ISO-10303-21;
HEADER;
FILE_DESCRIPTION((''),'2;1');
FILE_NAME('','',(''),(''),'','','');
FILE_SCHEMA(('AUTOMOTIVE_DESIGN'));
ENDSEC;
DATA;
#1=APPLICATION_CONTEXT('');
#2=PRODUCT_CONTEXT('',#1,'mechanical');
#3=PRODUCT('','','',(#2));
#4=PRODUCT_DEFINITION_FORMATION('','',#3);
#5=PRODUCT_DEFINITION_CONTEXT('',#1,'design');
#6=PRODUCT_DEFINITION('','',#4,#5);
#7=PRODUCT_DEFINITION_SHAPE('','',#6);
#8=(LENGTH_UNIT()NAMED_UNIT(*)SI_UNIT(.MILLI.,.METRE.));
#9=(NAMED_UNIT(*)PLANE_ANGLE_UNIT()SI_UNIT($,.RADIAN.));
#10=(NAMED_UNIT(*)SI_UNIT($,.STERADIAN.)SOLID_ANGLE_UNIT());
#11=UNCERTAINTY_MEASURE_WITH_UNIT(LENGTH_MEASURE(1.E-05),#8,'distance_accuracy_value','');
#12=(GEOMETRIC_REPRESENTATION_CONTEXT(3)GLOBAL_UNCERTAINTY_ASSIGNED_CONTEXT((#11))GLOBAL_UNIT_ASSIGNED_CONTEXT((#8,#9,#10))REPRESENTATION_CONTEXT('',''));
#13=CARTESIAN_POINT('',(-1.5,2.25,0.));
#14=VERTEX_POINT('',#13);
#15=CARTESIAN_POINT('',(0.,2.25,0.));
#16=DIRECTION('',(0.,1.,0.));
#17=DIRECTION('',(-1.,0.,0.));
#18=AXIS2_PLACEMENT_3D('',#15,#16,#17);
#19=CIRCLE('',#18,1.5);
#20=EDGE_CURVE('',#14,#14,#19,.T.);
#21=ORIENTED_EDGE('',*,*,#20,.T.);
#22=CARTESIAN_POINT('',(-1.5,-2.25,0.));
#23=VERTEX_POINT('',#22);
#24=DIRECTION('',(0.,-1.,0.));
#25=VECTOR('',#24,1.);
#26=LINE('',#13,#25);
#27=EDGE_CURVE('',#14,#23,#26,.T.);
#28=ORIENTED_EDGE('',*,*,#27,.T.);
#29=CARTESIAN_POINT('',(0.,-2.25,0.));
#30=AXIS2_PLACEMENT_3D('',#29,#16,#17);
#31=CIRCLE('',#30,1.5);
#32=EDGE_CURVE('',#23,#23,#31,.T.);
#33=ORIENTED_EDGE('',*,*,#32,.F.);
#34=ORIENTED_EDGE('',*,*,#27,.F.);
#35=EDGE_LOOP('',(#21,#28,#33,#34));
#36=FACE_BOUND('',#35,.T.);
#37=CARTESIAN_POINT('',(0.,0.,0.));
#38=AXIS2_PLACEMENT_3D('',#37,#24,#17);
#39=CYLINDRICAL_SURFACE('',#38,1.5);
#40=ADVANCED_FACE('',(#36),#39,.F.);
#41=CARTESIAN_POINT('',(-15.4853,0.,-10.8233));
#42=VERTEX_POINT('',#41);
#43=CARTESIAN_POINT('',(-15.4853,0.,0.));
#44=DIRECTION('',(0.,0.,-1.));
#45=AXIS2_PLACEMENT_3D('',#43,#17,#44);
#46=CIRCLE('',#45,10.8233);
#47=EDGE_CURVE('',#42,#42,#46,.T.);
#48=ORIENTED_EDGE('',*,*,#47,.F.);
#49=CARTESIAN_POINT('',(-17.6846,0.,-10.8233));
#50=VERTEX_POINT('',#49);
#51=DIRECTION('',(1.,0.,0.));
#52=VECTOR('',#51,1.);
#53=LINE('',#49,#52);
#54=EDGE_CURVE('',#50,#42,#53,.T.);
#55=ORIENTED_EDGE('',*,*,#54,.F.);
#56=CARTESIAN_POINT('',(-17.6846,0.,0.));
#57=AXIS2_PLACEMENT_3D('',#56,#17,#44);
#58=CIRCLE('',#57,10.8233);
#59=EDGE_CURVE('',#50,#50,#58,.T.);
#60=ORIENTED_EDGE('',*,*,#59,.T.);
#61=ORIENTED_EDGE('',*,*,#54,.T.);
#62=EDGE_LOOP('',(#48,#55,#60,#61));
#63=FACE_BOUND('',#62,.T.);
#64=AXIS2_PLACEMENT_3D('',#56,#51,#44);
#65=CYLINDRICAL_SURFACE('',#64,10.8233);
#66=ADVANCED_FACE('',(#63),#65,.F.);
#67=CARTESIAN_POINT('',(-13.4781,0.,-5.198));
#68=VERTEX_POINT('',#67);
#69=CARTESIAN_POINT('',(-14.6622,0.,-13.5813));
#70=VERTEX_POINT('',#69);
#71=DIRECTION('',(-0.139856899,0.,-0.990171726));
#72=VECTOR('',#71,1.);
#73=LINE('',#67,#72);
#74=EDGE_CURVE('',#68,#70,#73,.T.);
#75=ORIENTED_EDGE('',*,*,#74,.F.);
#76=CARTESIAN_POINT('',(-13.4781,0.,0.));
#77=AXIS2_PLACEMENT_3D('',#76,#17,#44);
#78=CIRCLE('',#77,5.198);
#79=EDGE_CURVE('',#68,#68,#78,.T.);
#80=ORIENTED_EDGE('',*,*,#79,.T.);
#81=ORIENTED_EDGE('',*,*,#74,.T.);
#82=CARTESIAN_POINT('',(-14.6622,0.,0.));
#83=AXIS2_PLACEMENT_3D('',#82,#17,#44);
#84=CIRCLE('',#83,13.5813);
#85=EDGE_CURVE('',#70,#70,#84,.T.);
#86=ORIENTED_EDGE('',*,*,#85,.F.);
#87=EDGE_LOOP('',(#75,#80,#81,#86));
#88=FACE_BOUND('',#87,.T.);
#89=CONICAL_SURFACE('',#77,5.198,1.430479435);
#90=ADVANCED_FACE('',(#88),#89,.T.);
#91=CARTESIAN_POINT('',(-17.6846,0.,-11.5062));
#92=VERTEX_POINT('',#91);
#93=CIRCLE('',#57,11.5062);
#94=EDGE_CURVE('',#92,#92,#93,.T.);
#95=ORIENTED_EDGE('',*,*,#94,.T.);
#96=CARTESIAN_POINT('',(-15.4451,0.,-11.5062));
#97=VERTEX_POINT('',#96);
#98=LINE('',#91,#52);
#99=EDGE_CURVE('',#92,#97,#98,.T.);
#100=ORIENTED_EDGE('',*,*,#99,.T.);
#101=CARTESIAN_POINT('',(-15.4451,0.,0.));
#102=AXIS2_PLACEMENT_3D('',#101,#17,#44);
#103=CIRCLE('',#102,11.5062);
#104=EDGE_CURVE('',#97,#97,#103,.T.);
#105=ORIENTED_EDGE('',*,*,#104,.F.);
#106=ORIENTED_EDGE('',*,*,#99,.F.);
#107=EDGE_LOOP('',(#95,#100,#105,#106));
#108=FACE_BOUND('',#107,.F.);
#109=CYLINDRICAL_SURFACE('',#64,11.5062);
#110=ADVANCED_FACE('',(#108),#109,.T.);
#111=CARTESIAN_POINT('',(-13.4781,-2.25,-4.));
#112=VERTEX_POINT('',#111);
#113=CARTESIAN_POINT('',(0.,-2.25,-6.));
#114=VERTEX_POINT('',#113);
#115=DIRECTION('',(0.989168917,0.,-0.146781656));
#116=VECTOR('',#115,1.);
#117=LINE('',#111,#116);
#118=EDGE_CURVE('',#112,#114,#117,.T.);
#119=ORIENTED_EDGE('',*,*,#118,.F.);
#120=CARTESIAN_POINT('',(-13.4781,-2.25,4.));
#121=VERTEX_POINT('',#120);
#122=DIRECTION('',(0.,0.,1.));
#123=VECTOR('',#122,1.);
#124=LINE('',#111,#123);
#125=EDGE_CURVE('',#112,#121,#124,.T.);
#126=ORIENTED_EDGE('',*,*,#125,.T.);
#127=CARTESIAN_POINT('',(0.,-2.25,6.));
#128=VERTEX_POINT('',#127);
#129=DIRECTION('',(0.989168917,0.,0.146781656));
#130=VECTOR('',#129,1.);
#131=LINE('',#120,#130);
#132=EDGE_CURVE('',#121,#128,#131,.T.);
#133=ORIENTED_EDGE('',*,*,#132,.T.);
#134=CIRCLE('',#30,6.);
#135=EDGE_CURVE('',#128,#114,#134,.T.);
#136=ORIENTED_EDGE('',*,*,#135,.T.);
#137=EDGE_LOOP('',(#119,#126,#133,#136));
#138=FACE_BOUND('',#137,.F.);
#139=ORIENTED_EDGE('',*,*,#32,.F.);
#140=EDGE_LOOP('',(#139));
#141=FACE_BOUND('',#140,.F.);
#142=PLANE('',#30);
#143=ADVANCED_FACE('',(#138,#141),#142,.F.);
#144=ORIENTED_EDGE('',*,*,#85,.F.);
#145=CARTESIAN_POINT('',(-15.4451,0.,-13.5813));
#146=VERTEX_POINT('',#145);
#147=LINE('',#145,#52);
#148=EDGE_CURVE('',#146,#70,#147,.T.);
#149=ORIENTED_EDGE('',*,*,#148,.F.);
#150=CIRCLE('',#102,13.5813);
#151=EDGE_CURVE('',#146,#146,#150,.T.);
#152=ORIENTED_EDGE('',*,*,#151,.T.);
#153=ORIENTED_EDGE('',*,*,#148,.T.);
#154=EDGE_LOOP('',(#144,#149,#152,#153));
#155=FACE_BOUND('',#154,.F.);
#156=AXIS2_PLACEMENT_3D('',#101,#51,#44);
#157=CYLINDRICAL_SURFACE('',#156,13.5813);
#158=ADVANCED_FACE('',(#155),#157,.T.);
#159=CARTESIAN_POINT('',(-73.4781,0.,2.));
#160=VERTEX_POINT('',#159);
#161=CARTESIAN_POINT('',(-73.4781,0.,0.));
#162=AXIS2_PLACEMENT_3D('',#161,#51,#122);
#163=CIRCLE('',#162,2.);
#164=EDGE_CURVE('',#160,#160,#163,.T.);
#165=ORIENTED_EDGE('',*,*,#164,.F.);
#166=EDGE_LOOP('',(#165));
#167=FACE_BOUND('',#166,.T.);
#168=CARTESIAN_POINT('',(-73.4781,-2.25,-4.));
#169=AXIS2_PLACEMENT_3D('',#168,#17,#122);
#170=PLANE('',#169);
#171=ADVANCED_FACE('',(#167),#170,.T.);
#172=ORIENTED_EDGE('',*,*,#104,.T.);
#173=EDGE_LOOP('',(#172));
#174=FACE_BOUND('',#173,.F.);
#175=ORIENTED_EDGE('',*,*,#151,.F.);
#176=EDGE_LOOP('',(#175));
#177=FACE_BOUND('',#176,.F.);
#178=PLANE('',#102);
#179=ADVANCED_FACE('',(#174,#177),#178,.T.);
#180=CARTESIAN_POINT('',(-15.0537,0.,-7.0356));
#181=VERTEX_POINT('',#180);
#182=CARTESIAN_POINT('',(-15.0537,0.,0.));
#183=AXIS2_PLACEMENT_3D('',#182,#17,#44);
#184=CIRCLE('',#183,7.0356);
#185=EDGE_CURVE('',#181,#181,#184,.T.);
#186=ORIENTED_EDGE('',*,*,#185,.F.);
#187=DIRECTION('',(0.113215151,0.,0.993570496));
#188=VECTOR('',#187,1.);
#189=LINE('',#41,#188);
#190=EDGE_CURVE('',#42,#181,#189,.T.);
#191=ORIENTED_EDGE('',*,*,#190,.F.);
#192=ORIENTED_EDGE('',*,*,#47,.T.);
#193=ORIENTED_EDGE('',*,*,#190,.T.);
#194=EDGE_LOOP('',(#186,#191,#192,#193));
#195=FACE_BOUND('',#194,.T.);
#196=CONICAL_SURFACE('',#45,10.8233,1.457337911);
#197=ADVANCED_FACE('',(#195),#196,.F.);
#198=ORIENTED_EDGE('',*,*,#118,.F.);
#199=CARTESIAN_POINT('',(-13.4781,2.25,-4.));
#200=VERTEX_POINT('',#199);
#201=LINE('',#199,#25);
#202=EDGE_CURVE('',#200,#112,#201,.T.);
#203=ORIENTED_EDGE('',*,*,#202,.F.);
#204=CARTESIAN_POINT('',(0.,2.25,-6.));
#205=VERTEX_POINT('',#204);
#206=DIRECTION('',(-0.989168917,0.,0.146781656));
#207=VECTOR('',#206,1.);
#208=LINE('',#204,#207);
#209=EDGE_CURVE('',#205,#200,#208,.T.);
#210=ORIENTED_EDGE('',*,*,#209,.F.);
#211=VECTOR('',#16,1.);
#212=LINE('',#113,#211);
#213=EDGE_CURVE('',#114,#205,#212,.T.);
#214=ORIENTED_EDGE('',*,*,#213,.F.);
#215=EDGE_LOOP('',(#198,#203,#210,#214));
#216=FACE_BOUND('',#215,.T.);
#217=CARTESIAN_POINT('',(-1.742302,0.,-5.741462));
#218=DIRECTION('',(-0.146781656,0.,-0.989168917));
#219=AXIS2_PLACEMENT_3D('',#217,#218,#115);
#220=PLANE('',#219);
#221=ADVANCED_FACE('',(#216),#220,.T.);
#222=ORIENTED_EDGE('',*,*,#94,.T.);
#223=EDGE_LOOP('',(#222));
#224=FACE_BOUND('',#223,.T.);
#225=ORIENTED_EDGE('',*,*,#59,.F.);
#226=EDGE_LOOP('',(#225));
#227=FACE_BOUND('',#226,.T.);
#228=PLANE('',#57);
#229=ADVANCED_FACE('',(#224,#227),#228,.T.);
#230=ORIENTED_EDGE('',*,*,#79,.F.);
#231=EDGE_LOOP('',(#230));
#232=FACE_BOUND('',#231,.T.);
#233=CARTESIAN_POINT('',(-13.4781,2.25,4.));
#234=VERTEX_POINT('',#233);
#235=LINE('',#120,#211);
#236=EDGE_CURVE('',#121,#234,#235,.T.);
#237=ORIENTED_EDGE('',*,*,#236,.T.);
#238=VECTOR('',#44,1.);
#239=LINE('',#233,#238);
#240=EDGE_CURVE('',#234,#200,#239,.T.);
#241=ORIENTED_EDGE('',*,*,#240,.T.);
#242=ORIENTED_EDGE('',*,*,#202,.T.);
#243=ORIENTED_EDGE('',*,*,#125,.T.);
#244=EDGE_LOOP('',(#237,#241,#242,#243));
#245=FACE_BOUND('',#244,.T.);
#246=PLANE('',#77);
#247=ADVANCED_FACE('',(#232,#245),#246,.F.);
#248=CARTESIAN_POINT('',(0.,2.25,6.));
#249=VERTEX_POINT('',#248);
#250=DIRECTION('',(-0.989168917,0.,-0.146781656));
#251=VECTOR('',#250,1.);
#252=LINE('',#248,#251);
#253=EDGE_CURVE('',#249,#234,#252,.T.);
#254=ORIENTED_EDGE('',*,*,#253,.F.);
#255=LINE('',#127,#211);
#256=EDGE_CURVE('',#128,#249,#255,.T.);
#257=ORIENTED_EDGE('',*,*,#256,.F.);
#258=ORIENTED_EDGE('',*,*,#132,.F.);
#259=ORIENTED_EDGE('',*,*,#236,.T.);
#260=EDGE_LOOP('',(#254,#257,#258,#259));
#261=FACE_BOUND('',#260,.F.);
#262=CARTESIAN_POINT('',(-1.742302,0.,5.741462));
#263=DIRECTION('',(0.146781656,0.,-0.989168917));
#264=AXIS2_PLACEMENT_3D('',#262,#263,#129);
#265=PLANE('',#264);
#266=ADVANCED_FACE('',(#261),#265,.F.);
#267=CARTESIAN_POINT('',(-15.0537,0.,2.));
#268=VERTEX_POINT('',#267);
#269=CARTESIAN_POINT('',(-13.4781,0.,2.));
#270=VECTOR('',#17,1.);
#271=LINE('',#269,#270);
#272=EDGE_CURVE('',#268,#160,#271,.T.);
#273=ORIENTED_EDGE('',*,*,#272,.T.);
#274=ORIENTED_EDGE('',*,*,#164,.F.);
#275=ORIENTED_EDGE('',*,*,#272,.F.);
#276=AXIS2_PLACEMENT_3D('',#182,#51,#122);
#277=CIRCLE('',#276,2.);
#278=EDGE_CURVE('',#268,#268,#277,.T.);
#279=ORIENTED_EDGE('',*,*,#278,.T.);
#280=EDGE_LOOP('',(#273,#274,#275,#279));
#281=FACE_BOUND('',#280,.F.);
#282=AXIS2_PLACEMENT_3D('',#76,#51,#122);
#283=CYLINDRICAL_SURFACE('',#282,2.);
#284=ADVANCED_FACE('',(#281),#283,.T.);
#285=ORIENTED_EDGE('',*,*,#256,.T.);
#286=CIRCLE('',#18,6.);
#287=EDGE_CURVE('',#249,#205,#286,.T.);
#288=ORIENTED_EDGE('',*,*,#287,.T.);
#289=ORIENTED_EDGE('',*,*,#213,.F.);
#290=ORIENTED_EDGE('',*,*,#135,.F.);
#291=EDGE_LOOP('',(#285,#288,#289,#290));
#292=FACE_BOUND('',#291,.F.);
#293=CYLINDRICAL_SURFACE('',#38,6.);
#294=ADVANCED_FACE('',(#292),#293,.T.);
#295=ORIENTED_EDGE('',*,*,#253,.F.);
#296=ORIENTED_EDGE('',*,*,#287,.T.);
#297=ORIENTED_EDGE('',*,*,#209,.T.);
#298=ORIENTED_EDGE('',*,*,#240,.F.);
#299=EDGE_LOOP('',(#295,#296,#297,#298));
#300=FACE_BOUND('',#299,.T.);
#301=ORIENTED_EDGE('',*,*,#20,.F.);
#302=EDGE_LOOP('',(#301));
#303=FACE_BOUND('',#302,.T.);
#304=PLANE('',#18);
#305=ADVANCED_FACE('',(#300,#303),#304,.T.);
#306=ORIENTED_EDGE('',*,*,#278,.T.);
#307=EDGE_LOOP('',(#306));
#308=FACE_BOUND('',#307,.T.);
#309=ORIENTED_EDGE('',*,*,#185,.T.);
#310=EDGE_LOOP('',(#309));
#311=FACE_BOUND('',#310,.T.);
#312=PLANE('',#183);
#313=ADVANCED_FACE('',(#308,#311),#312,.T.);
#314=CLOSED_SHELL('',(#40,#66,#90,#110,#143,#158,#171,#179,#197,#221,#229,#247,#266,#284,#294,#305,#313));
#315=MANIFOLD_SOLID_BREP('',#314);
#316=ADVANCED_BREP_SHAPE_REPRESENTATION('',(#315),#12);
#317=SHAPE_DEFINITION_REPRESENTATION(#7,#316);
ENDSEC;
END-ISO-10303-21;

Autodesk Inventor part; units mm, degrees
ref_plane "YZ Plane" through (0, 0, 0) normal (1, 0, 0) x (0, 1, 0)
ref_plane "XZ Plane" through (0, 0, 0) normal (0, 1, 0) x (-1, 0, 0)
ref_plane "XY Plane" through (0, 0, 0) normal (0, 0, 1) x (1, 0, 0)
sketch "Sketch1" plane through (0, 0, 0) normal (0, 1, 0) x (-1, 0, 0)
  circle A0 centre (0, 0) radius 1.5
  circle A1 centre (0, 0) radius 6
  line L0 (13.4781, 0) -> (13.4781, -4)
  line L1 (13.4781, 0) -> (13.4781, 4)
  line L2 (13.4781, 4) -> (0, 6)
  line L3 (13.4781, -4) -> (0, -6)
  dimension "d0" = 3
  dimension "d1" = 12
  dimension "d2" = 4
extrude "Extrusion1" add sketch "Sketch1" along normal mid plane 4.5 contours L2 A1 L3 | L2 L1 L0 L3 A1
sketch "Sketch2" plane through (-13.4781, -2.25, -4) normal (-1, 0, 0) x (0, 0, 1)
  line L0 (2.5, 4.5) -> (2.5, 0) projected
  line L1 (8, 0) -> (0, 0) projected
  line L2 (8, 4.5) -> (8, 0) projected
  line L3 (0, 4.5) -> (8, 4.5) projected
  line L4 (0, 0) -> (0, 4.5) projected
  circle A0 centre (4, 2.25) radius 2
  dimension "d5" = 4
extrude "Extrusion2" add sketch "Sketch2" along normal blind 60 contours A0 L0 | L0 A0
fillet "Fillet1" [suppressed]
sketch "Sketch4" plane through (0, 0, 0) normal (0, 1, 0) x (-1, 0, 0)
  line L0 (13.4781, 4) -> (0, 6) projected
  arc A0 (0, 6) -> (0, -6) centre (0, 0) ccw projected
  line L1 (0, -6) -> (13.4781, -4) projected
  line L2 (13.4781, -4) -> (13.4781, 4) projected
  circle A1 centre (0, 0) radius 1.5 projected
  line L3 (13.4781, 4) -> (13.4781, -4) projected
  line L4 (13.4781, 0) -> (17.6846, 0)
  line L5 (17.6846, 0) -> (17.6846, 0.0214)
  line L6 (17.6846, -11.5062) -> (15.4451, -11.5062)
  line L7 (15.4451, -11.5062) -> (15.4451, -13.5813)
  line L8 (15.4451, -13.5813) -> (14.6622, -13.5813)
  line L9 (13.4781, -4) -> (13.4781, -5.198)
  line L10 (13.4781, -5.198) -> (14.6622, -13.5813)
  line L11 (17.6846, -11.5062) -> (17.6846, -10.8233)
  line L12 (17.6846, -10.8233) -> (15.4853, -10.8233)
  line L13 (15.4853, -10.8233) -> (15.0537, -7.0356)
  line L14 (15.0537, -7.0356) -> (15.0537, 0)
  dimension "d13" = 11.5062
revolve "Revolution1" add sketch "Sketch4" angle 360 about axis through (-13.4781, 0, 0) along (-1, 0, 0) contours L4 L14 L13 L12 L11 L6 L7 L8 L10 L9 L2
properties part number "100MMshockLower"
